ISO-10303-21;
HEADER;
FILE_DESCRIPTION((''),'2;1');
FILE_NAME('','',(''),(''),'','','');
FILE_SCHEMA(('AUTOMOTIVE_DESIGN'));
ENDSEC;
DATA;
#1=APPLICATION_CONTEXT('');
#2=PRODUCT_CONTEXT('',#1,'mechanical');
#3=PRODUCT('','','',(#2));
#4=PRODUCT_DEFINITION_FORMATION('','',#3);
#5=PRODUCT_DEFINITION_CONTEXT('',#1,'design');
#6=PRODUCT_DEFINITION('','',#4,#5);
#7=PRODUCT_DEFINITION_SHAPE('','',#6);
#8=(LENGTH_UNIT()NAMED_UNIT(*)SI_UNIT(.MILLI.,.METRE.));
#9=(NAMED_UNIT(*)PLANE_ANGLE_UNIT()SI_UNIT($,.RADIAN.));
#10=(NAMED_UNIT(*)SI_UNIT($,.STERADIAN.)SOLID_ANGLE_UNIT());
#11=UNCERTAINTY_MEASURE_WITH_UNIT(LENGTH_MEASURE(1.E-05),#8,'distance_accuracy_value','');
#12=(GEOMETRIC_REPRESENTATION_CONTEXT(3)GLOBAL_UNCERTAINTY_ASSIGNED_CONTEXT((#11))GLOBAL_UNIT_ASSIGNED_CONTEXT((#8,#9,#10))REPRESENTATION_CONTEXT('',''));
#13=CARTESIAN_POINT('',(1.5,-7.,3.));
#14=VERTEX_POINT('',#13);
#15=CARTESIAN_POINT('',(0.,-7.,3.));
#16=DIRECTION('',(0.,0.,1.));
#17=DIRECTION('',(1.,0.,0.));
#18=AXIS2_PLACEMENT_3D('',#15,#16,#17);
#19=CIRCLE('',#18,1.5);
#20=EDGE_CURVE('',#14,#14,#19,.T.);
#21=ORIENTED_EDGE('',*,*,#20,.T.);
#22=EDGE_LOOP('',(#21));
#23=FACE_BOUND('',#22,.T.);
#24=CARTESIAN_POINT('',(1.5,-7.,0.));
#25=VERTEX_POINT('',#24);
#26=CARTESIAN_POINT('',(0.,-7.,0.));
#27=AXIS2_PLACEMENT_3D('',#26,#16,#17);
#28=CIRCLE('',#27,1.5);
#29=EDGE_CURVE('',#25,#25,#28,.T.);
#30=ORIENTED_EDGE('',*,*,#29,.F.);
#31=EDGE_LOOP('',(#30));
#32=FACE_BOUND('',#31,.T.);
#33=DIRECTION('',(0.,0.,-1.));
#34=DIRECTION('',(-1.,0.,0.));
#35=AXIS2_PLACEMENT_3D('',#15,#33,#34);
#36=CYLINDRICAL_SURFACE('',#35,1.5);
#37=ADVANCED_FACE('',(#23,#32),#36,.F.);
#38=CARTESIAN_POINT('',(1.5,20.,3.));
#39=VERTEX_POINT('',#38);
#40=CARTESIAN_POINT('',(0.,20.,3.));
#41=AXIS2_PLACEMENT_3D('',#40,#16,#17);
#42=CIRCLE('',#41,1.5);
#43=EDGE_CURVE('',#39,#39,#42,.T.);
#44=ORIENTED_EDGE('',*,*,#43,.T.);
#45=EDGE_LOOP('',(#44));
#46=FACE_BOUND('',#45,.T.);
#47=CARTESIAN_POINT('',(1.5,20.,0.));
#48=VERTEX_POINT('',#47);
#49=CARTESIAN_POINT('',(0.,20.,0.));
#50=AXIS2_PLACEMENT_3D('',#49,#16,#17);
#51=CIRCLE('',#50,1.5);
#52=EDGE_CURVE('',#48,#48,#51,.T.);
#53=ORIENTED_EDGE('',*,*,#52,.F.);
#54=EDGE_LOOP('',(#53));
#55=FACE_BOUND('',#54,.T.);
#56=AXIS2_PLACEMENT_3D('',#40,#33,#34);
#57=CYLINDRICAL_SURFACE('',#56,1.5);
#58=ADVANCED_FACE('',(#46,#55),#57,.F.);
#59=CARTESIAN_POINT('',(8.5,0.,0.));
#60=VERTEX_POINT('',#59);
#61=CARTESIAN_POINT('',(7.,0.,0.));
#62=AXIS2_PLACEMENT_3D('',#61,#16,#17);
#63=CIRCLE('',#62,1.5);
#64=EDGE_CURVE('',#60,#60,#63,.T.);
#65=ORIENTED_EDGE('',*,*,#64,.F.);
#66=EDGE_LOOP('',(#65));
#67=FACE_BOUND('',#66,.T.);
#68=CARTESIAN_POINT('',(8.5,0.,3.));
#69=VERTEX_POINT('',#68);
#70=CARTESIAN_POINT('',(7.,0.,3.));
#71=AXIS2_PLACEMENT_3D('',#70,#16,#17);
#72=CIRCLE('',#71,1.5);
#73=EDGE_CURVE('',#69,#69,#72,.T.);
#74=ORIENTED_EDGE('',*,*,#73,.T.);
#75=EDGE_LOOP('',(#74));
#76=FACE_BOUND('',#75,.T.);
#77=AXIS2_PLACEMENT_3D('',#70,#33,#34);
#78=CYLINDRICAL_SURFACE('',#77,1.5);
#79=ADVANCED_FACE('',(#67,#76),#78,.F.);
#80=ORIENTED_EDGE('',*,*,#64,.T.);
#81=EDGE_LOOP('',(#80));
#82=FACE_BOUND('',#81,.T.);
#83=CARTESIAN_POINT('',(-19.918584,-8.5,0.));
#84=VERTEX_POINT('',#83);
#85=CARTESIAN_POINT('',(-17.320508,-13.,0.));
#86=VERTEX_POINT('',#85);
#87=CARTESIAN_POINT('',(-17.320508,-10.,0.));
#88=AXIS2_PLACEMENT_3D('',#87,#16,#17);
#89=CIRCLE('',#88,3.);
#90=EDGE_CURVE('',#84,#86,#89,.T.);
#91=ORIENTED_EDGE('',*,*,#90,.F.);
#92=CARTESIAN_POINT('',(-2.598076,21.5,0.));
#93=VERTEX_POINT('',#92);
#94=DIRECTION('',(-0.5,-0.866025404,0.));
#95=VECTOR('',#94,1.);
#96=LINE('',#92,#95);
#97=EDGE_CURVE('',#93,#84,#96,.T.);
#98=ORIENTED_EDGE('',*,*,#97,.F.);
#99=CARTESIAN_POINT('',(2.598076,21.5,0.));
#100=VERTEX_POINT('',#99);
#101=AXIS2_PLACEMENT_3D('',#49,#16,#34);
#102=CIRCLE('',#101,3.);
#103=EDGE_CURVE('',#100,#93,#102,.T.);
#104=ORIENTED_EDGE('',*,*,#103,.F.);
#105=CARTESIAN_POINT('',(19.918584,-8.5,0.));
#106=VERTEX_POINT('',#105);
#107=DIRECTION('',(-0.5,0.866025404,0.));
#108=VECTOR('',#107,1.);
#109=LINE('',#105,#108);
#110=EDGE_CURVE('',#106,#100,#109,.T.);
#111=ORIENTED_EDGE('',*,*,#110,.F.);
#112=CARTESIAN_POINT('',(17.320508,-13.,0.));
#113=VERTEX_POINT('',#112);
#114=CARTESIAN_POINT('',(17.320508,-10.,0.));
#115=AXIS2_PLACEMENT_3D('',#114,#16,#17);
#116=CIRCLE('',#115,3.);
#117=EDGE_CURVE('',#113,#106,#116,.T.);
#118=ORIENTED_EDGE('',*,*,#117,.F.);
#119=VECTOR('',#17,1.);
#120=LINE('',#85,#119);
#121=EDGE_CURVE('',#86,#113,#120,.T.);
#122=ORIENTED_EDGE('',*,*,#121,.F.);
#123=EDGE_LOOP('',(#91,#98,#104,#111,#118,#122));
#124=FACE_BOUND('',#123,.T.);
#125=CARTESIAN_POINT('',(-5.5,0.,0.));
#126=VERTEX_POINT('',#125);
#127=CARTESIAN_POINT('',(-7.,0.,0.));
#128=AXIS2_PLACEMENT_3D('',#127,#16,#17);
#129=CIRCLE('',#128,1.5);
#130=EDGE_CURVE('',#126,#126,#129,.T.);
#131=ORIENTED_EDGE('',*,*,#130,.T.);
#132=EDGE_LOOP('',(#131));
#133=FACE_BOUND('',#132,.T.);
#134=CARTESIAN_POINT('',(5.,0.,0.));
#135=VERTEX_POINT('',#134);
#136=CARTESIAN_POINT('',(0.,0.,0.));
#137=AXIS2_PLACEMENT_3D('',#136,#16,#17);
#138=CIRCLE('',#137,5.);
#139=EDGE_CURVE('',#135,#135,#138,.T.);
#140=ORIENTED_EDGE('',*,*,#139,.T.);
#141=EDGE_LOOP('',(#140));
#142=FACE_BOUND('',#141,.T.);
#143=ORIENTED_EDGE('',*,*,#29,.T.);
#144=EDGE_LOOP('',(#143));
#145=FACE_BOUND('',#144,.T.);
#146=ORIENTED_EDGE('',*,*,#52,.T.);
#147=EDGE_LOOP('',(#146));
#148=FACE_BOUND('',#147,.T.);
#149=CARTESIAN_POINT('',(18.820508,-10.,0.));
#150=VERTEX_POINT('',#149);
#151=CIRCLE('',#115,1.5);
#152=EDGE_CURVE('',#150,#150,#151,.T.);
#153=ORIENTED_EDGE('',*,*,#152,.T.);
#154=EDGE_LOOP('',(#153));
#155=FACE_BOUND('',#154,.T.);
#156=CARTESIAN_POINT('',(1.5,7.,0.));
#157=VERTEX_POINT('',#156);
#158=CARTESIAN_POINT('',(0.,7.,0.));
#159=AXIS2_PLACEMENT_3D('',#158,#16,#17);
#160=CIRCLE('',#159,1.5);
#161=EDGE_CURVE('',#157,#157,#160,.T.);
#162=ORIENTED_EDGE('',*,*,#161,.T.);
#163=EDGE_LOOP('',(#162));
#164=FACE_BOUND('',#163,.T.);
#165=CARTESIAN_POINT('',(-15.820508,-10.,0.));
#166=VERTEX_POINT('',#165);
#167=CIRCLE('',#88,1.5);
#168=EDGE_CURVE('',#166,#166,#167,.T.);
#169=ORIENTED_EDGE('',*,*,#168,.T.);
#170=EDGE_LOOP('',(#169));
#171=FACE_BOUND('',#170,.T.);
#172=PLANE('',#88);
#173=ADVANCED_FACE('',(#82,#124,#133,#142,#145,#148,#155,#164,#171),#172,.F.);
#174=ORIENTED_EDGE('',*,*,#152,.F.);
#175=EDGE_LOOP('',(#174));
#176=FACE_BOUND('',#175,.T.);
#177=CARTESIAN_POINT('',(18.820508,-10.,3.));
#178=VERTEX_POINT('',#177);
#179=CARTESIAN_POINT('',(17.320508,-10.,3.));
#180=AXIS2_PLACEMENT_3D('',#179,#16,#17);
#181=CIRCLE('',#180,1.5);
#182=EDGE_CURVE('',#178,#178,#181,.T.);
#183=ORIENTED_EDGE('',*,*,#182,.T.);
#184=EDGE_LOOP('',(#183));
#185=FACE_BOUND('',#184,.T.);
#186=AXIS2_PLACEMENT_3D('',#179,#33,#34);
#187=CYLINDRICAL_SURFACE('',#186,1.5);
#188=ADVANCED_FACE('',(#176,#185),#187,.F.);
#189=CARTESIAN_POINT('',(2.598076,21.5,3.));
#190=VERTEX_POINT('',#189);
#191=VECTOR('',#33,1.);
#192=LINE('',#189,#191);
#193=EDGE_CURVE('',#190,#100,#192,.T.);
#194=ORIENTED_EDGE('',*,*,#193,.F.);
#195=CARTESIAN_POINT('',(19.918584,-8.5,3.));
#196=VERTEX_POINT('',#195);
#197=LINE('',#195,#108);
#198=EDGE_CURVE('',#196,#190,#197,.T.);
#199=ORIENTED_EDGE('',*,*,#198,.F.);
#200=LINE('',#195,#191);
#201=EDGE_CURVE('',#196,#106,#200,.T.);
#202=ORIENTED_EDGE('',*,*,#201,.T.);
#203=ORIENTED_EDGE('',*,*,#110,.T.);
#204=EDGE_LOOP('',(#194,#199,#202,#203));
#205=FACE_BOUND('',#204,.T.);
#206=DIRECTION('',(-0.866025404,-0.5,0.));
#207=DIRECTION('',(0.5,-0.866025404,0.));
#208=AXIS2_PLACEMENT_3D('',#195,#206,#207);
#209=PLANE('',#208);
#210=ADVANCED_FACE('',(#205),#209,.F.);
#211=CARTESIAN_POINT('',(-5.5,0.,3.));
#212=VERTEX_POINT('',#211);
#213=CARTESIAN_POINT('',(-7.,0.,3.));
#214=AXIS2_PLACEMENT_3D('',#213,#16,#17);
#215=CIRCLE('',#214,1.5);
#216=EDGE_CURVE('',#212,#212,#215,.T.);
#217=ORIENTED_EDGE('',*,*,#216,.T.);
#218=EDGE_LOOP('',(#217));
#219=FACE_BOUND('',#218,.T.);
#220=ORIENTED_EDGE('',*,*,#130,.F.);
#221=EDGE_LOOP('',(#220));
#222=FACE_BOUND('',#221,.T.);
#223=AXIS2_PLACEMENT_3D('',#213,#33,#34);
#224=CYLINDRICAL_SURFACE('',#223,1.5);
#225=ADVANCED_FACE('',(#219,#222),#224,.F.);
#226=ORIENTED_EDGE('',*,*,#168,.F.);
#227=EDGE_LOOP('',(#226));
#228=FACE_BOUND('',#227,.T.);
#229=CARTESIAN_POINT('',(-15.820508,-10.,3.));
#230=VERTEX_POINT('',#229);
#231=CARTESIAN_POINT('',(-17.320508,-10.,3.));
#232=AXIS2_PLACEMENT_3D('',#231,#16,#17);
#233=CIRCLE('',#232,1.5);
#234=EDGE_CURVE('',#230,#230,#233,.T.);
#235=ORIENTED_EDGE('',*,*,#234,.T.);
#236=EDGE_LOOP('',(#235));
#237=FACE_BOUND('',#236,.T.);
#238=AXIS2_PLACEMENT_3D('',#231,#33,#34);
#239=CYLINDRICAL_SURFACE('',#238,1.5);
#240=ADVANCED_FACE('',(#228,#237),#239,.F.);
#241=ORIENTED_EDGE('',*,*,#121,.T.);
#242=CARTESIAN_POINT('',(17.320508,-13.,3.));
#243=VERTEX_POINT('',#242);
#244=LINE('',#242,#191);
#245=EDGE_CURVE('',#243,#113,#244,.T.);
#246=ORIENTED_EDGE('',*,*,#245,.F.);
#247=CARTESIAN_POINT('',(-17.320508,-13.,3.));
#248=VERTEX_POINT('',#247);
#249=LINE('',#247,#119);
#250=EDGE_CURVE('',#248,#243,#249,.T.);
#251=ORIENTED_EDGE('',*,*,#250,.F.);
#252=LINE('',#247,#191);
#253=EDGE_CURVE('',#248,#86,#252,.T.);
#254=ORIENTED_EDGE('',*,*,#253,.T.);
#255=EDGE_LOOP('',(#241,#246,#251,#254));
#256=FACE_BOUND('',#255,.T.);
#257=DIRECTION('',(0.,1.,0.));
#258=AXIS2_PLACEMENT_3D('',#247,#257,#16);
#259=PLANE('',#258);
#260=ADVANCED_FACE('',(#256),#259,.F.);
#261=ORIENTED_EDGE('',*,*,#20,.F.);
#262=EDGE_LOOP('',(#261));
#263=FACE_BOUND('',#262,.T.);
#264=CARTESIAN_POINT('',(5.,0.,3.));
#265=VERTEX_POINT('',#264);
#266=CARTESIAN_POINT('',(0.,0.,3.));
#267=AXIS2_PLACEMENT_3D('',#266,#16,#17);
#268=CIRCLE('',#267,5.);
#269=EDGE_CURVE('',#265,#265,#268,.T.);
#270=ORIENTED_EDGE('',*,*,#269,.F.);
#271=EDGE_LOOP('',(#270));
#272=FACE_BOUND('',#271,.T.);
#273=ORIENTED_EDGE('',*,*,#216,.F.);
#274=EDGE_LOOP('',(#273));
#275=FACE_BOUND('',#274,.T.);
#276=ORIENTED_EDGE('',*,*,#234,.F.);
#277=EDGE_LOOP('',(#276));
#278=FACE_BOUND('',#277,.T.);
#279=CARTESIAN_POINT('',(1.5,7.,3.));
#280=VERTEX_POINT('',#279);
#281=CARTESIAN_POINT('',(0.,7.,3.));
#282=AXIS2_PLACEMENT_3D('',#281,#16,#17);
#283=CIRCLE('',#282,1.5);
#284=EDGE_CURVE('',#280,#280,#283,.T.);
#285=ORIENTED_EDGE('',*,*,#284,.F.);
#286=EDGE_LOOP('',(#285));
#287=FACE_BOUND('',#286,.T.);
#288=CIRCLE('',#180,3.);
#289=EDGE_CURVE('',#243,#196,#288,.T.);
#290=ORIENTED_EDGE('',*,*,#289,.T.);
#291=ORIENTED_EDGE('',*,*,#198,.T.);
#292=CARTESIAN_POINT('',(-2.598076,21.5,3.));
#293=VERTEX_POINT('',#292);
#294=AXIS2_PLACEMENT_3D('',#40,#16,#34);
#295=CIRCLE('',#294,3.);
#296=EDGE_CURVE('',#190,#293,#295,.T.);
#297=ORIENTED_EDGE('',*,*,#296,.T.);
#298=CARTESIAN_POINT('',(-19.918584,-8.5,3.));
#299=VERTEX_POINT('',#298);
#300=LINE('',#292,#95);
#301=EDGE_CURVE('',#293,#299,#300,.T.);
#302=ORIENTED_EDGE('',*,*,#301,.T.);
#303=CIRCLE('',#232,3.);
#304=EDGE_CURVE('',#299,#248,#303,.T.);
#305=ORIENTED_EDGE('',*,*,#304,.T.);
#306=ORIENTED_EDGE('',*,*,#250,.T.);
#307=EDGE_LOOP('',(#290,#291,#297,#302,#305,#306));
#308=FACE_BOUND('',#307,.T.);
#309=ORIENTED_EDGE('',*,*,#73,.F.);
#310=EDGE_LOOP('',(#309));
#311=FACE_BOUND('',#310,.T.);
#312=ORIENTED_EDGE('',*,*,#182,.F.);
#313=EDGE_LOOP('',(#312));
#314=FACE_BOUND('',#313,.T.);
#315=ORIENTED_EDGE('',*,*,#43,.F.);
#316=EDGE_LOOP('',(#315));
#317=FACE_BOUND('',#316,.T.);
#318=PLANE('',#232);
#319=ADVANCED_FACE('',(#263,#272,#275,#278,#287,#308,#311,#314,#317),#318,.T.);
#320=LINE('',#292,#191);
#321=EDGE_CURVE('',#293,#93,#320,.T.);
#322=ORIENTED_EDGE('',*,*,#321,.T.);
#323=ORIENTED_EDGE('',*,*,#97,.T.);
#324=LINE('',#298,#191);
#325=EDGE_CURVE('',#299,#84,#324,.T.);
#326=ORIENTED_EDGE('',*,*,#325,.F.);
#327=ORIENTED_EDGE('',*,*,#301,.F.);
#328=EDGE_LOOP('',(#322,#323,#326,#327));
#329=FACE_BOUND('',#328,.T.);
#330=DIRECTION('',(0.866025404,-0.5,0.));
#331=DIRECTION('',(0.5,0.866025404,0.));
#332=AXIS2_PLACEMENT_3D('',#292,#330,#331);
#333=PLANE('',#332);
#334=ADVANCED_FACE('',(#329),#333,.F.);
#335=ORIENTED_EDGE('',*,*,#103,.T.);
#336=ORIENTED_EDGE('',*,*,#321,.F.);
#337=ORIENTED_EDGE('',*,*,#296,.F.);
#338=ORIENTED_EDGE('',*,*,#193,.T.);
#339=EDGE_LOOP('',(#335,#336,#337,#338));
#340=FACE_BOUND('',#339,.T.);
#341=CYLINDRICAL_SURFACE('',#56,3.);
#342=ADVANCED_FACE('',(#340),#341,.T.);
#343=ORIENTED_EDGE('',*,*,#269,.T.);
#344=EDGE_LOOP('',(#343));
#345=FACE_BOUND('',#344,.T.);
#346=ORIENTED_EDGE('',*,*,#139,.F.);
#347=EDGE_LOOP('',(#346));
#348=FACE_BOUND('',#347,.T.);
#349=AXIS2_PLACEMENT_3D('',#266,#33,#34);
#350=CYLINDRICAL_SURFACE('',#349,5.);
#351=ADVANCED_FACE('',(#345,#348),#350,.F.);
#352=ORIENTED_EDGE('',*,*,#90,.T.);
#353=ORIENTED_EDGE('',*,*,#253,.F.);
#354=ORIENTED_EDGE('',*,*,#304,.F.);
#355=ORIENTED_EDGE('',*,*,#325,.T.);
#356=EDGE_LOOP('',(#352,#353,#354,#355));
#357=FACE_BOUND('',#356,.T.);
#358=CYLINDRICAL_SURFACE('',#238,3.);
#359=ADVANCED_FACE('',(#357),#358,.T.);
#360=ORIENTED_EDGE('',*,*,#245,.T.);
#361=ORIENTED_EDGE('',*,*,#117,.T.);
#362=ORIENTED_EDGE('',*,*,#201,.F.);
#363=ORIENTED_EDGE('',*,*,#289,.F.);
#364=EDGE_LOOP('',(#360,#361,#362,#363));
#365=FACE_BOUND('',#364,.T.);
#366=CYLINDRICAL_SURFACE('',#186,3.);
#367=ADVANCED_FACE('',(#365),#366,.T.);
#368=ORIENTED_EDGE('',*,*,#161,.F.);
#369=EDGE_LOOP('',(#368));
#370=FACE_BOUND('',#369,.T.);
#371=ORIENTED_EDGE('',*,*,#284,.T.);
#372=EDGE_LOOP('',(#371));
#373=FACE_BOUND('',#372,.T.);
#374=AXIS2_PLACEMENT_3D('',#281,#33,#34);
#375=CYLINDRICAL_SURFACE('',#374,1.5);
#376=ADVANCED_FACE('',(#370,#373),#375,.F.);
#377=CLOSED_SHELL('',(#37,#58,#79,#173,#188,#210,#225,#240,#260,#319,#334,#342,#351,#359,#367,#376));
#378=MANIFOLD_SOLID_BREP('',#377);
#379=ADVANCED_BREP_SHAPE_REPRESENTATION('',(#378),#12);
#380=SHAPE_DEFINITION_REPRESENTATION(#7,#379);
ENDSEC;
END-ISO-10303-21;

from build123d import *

# Parameters (mm, degrees)
SKETCH_1_R      = 1.5
SKETCH_1_R_2    = 5
EXTRUDE_1_DEPTH = 3


with BuildPart() as part:
    # 草图1 → 凸台-拉伸1 (new body)
    with BuildSketch(Plane.XY):
        with BuildLine():
            Line((-2.598076211, 21.5), (-19.918584287, -8.5))
            ThreePointArc((-19.918584287, -8.5), (-19.918584287, -11.5), (-17.320508076, -13))
            Line((-17.320508076, -13), (17.320508076, -13))
            ThreePointArc((17.320508076, -13), (19.918584287, -11.5), (19.918584287, -8.5))
            Line((19.918584287, -8.5), (2.598076211, 21.5))
            ThreePointArc((2.598076211, 21.5), (0, 23), (-2.598076211, 21.5))
        make_face()
        with Locations((-17.320508076, -10)):
            Circle(SKETCH_1_R, mode=Mode.SUBTRACT)
        with Locations((0, 20)):
            Circle(SKETCH_1_R, mode=Mode.SUBTRACT)
        with Locations((17.320508076, -10)):
            Circle(SKETCH_1_R, mode=Mode.SUBTRACT)
        Circle(SKETCH_1_R_2, mode=Mode.SUBTRACT)
        with Locations((0, 7)):
            Circle(SKETCH_1_R, mode=Mode.SUBTRACT)
        with Locations((0, -7)):
            Circle(SKETCH_1_R, mode=Mode.SUBTRACT)
        with Locations((-7, 0)):
            Circle(SKETCH_1_R, mode=Mode.SUBTRACT)
        with Locations((7, 0)):
            Circle(SKETCH_1_R, mode=Mode.SUBTRACT)
    extrude(amount=EXTRUDE_1_DEPTH)


solid = part.part
